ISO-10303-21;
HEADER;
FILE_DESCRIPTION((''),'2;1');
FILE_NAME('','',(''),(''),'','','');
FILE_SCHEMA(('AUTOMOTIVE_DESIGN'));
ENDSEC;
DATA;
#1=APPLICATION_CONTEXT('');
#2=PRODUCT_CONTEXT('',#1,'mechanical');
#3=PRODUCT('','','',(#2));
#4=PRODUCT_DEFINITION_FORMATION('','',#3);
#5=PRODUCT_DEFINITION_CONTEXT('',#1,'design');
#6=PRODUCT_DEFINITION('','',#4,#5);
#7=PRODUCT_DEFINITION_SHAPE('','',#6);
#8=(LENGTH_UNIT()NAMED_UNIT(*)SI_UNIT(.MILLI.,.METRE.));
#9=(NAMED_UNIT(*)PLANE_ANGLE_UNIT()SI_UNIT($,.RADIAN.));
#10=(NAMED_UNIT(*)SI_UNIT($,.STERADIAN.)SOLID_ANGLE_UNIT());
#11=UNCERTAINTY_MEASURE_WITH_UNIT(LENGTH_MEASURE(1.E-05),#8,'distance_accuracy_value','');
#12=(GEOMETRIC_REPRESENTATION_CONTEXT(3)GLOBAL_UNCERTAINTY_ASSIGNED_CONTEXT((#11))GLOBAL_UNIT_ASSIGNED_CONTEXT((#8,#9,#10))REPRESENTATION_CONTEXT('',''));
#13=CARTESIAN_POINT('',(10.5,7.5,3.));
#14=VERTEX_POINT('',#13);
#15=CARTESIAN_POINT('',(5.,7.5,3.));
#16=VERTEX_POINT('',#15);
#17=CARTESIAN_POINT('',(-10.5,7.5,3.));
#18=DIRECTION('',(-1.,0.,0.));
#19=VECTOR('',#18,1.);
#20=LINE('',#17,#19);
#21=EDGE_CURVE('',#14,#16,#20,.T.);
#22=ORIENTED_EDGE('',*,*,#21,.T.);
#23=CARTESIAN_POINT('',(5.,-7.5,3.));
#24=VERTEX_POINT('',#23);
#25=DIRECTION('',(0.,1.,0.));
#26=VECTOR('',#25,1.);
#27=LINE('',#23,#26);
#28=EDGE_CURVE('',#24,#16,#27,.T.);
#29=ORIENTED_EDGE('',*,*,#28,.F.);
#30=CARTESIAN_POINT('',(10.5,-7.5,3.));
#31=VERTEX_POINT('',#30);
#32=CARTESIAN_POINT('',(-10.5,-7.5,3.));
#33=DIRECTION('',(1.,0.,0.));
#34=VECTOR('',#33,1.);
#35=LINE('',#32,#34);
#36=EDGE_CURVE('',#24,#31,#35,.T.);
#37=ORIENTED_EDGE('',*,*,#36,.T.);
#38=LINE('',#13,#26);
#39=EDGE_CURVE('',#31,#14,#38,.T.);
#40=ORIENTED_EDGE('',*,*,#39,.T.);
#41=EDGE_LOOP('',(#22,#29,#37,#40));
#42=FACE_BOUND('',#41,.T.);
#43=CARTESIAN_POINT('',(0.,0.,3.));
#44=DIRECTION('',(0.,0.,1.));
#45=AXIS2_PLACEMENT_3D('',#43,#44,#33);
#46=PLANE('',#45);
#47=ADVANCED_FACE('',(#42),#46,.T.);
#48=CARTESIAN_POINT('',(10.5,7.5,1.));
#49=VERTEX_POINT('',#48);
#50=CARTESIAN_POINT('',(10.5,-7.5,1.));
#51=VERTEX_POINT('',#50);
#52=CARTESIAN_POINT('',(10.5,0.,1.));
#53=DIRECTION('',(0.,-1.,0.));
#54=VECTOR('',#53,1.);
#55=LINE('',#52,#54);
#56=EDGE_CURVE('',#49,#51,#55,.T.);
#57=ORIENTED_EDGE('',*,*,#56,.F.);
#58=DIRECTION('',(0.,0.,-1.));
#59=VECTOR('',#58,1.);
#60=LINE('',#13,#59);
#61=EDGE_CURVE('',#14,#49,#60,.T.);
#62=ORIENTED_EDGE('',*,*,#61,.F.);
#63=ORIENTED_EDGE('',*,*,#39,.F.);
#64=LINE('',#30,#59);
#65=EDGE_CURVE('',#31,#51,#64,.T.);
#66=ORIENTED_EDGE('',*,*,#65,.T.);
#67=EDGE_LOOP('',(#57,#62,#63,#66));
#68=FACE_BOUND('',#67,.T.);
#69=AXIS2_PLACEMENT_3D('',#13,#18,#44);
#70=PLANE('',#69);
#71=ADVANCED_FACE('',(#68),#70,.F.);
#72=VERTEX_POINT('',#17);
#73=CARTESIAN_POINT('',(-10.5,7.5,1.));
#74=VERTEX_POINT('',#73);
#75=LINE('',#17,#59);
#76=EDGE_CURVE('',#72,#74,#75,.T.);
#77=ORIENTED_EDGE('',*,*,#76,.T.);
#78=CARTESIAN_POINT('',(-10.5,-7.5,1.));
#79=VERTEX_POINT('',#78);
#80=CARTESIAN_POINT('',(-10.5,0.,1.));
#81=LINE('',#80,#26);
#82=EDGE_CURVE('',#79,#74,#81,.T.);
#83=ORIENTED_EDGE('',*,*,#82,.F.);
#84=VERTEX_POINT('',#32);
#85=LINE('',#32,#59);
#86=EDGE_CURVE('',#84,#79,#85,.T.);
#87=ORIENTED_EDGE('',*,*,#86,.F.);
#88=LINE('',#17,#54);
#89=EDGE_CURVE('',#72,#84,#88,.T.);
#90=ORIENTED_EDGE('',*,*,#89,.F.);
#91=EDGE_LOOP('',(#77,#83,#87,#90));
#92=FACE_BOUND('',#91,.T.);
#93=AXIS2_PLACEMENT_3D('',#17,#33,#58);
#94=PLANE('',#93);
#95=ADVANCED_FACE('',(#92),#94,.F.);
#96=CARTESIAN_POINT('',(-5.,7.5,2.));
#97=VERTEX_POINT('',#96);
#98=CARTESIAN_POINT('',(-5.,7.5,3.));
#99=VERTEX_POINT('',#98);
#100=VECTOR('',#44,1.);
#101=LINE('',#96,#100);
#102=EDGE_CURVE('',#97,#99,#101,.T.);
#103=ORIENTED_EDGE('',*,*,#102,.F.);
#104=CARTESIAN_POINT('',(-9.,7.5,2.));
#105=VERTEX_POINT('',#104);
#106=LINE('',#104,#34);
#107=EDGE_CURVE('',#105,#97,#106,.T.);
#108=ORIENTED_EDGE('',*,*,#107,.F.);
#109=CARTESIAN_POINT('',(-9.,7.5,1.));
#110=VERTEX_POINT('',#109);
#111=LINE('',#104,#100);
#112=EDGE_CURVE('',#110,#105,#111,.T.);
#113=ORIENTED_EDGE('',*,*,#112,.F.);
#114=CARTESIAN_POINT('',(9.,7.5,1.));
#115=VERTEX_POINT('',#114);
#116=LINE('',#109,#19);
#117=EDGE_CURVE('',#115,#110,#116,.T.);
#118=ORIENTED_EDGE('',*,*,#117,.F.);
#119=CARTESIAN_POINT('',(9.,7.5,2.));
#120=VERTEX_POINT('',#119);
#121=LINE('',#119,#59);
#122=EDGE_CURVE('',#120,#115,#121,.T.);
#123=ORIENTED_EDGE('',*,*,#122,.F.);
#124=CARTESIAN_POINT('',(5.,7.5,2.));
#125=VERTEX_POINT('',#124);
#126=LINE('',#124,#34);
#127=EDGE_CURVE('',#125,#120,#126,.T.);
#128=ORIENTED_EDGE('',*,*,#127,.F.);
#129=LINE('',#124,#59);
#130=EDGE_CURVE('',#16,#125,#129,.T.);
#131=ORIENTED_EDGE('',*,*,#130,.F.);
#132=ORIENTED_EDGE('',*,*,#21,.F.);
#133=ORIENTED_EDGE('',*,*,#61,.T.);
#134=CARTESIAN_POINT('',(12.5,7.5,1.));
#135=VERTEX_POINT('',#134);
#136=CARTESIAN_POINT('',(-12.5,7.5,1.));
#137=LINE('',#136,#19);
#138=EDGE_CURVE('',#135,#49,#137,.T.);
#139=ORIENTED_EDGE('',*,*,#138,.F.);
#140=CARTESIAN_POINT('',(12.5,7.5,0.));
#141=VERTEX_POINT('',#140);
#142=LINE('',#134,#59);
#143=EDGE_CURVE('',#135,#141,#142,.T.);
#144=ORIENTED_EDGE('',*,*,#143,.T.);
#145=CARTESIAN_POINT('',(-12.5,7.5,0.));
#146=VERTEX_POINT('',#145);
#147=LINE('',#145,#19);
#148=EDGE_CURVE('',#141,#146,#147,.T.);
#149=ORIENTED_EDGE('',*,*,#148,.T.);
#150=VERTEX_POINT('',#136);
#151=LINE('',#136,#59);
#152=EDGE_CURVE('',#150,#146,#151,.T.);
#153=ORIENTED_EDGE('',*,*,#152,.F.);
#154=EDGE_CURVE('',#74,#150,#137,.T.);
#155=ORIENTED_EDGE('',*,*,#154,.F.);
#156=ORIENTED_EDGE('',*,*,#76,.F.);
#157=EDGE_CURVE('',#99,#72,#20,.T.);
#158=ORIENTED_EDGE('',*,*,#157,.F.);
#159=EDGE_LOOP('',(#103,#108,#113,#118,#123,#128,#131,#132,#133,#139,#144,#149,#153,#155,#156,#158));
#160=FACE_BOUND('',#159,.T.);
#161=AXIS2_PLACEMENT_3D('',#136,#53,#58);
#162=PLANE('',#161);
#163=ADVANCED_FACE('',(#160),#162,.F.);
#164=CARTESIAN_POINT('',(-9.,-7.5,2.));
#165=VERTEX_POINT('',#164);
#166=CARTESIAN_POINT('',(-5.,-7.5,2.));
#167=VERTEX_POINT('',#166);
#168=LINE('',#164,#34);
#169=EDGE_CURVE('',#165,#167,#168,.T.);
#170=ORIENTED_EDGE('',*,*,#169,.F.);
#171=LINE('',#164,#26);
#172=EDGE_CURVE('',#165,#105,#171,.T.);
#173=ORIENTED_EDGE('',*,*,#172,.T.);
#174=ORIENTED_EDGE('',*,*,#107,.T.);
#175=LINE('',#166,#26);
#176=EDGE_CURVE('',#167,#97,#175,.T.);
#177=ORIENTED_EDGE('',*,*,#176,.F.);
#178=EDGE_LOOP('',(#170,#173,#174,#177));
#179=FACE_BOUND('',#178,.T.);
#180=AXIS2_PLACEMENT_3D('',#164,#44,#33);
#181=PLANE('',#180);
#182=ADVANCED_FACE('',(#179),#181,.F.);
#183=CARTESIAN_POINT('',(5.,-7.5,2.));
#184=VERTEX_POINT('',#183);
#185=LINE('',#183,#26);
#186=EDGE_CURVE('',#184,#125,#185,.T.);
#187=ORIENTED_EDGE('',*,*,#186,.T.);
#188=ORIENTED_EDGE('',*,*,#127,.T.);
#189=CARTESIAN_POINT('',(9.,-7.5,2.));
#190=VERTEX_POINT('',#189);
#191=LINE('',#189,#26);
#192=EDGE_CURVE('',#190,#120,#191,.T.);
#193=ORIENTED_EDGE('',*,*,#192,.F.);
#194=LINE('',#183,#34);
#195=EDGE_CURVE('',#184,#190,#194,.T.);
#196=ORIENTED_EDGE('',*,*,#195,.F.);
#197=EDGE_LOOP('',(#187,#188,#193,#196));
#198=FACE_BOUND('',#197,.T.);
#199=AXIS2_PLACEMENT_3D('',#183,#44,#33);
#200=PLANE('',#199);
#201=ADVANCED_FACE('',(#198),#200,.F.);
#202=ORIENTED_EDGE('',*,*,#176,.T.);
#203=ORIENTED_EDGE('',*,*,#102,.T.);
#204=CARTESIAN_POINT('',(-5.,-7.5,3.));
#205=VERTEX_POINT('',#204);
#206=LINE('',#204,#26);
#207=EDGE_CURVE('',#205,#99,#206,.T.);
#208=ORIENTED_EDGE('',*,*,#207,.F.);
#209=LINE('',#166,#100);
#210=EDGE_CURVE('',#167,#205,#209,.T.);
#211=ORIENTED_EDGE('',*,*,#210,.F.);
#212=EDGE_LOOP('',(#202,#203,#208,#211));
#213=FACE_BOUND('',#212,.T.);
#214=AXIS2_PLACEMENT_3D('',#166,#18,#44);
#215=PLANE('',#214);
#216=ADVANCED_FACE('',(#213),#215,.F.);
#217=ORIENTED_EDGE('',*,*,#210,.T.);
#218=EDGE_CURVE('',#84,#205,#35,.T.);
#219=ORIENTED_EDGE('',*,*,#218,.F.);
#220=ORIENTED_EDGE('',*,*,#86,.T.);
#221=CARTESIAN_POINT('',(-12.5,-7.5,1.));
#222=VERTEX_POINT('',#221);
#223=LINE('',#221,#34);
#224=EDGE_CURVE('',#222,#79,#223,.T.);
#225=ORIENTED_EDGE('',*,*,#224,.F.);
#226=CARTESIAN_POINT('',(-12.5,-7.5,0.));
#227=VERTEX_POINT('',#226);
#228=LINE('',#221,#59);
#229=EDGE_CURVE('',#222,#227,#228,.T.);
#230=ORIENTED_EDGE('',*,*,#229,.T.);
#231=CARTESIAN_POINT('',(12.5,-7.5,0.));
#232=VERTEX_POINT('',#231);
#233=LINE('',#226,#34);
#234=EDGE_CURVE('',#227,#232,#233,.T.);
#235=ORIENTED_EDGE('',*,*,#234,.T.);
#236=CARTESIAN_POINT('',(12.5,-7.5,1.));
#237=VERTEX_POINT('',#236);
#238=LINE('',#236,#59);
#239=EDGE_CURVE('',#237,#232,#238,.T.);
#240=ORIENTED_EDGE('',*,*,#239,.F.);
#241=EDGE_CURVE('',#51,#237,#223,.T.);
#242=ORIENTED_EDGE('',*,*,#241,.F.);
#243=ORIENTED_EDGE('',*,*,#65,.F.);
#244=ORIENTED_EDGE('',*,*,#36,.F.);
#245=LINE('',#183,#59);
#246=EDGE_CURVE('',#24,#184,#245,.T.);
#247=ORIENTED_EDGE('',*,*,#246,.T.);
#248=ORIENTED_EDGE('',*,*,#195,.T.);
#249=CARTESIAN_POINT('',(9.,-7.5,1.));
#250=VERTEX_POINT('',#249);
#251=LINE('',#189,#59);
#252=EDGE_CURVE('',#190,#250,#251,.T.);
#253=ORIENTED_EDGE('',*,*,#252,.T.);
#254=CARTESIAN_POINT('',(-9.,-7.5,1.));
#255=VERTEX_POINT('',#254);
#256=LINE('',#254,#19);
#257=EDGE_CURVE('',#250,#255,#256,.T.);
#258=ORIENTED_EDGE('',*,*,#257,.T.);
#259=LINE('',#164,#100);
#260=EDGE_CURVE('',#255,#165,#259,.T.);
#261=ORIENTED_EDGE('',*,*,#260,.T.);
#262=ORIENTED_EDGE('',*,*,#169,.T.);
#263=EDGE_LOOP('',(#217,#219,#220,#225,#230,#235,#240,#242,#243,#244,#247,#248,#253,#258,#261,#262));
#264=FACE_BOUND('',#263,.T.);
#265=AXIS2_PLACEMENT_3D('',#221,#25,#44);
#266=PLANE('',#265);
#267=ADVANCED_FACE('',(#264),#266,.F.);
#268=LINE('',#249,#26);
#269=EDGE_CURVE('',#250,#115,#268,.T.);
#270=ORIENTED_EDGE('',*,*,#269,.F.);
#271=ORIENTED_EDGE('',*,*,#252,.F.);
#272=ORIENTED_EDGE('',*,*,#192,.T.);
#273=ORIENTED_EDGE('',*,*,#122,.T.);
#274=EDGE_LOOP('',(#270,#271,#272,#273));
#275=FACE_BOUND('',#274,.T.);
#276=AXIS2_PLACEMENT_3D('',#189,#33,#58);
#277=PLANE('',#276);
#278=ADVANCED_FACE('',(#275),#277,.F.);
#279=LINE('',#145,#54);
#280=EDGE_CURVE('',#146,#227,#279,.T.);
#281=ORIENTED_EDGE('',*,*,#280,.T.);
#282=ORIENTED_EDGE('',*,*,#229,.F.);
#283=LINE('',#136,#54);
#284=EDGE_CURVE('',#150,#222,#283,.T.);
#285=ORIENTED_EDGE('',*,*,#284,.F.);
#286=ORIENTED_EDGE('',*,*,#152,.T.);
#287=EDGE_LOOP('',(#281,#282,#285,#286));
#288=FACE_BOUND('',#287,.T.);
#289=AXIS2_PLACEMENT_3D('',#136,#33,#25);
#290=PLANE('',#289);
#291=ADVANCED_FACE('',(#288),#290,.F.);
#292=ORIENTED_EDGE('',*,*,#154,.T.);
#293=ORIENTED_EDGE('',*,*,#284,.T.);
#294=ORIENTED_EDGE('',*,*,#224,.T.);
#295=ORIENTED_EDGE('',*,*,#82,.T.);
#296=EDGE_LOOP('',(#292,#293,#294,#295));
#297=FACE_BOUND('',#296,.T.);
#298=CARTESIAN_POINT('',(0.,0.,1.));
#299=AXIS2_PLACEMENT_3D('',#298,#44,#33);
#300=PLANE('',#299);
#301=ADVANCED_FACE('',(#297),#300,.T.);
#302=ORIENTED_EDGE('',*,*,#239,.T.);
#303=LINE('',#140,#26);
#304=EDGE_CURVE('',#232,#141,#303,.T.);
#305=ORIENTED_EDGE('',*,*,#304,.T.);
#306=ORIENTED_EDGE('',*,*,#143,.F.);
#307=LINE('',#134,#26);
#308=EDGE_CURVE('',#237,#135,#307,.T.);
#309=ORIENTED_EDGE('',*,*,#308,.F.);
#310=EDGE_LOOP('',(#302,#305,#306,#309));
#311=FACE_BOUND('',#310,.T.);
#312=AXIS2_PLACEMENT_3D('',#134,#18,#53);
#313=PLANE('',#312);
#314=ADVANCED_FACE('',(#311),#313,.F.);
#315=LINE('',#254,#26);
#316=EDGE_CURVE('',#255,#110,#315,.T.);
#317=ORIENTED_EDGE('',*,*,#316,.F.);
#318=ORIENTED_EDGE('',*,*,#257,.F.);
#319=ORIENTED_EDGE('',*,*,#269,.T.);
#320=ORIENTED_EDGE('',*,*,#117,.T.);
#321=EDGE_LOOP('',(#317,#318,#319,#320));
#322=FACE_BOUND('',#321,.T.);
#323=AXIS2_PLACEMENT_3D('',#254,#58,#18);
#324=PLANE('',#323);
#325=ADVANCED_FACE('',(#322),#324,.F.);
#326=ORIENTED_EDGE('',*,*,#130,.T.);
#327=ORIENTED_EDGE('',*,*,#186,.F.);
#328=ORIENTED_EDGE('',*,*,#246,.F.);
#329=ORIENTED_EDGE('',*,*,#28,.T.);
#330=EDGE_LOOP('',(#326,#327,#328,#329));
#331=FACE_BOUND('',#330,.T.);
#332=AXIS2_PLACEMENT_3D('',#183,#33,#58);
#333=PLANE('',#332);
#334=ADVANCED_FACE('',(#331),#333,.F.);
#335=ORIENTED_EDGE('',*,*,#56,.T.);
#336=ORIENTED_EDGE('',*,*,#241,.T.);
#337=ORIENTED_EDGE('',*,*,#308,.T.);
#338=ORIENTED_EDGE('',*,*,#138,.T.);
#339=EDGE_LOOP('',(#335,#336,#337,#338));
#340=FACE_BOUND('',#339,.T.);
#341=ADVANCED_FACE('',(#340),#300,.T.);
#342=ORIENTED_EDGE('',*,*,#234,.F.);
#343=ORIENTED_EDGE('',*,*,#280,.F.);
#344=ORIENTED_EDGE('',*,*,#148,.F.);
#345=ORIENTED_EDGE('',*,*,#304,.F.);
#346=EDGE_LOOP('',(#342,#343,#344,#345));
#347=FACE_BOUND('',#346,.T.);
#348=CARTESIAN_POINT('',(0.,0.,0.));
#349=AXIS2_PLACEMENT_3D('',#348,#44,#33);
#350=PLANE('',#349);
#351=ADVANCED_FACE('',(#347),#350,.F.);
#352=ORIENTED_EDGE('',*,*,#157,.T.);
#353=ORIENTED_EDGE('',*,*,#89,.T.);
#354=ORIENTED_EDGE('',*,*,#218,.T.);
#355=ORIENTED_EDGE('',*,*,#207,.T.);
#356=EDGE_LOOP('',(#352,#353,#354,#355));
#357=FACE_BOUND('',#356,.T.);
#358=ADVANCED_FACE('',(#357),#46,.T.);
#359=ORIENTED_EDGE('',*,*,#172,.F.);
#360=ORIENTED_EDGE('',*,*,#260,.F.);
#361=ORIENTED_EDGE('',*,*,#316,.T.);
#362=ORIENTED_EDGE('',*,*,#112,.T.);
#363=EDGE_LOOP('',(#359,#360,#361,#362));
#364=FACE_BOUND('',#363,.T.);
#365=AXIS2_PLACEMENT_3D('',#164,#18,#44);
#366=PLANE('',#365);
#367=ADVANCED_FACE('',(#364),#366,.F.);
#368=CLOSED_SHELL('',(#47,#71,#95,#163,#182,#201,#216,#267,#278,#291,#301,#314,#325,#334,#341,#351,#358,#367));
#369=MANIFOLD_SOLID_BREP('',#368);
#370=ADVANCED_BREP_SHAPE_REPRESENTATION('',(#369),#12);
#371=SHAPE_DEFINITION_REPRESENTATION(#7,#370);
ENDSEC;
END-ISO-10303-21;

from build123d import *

# Parameters (mm, degrees)
SKETCH1_W               = 25
SKETCH1_H               = 15
BOSS_EXTRUDE1_DEPTH     = 1
SKETCH2_W               = 21
SKETCH2_H               = 15
BOSS_EXTRUDE2_DEPTH     = 3
CUT_EXTRUDE1_DEPTH      = 8.5
CUT_EXTRUDE1_DEPTH_BACK = 8.5


with BuildPart() as part:
    # Sketch1 → Boss-Extrude1 (new body)
    with BuildSketch(Plane.XY):
        Rectangle(SKETCH1_W, SKETCH1_H)
    extrude(amount=BOSS_EXTRUDE1_DEPTH)

    # Sketch2 → Boss-Extrude2 (add)
    with BuildSketch(Plane.XY):
        Rectangle(SKETCH2_W, SKETCH2_H)
    extrude(amount=BOSS_EXTRUDE2_DEPTH)

    # Sketch3 → Cut-Extrude1 (cut, two sides)
    with BuildSketch(Plane(origin=(0, 0, 0), x_dir=(1, 0, 0), z_dir=(0, 1, 0))) as cut_extrude1_sk:
        Polygon((-9, -2), (-5, -2), (-5, -3), (5, -3), (5, -2), (9, -2), (9, -1), (-9, -1), align=None)
    extrude(amount=CUT_EXTRUDE1_DEPTH, mode=Mode.SUBTRACT)
    extrude(cut_extrude1_sk.sketch, amount=-CUT_EXTRUDE1_DEPTH_BACK, mode=Mode.SUBTRACT)


solid = part.part
